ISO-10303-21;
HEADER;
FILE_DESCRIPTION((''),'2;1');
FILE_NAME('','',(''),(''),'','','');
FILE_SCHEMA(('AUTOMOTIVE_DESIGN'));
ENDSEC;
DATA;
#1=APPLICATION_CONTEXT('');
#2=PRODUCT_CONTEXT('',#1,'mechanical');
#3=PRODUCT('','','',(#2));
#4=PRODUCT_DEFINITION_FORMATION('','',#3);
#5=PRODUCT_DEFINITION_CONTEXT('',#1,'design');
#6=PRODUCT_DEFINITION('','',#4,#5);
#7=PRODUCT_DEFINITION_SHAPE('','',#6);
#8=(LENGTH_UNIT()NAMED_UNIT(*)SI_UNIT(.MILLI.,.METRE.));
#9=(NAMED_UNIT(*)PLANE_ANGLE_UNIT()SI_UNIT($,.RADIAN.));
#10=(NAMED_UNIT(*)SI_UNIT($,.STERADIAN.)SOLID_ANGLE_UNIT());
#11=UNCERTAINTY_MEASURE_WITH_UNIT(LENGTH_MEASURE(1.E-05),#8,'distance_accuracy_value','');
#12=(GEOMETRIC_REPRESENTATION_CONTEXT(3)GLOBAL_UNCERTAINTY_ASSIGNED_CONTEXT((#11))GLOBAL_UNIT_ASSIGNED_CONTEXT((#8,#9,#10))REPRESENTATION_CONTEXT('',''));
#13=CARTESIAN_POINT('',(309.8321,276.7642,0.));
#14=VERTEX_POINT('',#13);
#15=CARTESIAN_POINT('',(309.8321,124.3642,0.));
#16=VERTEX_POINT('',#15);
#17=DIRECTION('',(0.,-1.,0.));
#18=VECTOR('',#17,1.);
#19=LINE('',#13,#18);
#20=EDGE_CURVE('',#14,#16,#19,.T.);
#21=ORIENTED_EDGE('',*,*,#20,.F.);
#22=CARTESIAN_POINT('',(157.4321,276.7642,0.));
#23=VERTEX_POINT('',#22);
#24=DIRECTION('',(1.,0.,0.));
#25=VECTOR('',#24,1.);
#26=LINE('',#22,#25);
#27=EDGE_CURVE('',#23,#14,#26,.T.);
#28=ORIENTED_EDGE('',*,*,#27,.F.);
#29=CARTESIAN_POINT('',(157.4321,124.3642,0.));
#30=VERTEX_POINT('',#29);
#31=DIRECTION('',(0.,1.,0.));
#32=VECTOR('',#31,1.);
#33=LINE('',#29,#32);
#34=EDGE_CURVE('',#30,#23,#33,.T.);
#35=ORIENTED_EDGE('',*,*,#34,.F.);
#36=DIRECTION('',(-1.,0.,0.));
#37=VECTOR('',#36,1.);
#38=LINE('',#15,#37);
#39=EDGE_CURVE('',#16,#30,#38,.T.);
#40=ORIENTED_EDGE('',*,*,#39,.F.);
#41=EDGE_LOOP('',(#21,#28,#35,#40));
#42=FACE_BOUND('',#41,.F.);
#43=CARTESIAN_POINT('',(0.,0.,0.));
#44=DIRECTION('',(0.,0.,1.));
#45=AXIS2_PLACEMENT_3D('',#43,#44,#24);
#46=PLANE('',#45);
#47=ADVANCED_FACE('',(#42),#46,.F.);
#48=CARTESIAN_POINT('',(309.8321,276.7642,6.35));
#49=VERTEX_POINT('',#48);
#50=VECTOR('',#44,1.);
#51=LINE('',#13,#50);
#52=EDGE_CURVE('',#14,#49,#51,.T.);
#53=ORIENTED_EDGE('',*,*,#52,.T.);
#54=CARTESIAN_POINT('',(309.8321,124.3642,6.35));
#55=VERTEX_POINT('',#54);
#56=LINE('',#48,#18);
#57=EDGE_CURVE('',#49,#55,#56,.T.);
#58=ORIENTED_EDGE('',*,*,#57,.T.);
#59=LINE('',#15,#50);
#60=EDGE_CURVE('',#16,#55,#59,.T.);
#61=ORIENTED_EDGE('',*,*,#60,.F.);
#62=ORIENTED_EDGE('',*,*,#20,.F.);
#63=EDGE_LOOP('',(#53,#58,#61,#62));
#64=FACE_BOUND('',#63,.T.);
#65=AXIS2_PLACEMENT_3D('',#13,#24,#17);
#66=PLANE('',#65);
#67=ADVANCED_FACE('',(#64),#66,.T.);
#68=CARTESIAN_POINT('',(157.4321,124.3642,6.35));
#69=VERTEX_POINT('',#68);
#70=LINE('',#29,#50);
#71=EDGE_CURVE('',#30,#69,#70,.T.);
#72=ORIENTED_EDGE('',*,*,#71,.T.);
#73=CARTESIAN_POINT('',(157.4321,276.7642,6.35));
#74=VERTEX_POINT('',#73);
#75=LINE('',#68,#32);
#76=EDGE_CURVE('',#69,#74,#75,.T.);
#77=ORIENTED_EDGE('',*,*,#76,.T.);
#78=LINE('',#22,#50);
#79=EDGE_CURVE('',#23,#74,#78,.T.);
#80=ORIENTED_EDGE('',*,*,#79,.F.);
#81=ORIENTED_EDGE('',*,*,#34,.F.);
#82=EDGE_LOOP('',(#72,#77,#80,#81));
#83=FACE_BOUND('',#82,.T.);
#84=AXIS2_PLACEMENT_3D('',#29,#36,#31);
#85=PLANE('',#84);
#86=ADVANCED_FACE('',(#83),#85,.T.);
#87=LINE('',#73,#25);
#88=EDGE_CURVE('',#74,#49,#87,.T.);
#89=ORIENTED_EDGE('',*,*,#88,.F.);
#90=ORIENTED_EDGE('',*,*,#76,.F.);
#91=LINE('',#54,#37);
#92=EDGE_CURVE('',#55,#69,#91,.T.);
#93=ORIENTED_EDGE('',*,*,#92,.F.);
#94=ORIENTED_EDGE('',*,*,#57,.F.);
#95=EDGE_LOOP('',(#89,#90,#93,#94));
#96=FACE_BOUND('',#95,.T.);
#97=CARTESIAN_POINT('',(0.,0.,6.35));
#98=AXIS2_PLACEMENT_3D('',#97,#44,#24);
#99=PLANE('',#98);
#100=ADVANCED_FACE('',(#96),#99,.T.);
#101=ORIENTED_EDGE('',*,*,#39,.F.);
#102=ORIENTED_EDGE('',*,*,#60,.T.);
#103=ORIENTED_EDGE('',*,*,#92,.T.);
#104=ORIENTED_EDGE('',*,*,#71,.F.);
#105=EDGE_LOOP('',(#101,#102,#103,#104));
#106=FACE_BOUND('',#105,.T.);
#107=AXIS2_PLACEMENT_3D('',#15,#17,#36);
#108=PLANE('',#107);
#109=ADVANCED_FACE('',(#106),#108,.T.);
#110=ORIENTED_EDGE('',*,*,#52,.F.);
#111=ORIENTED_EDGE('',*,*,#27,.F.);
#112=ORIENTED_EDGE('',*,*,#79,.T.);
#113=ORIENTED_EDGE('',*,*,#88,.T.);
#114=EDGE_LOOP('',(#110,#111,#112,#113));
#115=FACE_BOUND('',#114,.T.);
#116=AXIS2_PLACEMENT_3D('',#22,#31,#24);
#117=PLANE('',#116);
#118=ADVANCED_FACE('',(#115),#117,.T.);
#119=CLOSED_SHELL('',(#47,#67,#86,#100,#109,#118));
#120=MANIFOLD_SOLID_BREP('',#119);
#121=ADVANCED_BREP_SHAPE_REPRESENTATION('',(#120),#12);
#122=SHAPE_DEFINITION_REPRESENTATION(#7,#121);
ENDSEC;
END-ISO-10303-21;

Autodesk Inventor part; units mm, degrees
ref_plane "YZ Plane" through (0, 0, 0) normal (1, 0, 0) x (0, 1, 0)
ref_plane "XZ Plane" through (0, 0, 0) normal (0, 1, 0) x (-1, 0, 0)
ref_plane "XY Plane" through (0, 0, 0) normal (0, 0, 1) x (1, 0, 0)
sketch "Sketch1" plane through (0, 0, 0) normal (0, 0, 1) x (1, 0, 0)
  line L0 (157.4321, 276.7642) -> (309.8321, 276.7642)
  line L1 (309.8321, 276.7642) -> (309.8321, 124.3642)
  line L2 (309.8321, 124.3642) -> (157.4321, 124.3642)
  line L3 (157.4321, 124.3642) -> (157.4321, 276.7642)
  point P0 (0, 0)
  dimension "d0" = 152.4
  dimension "d1" = 152.4
extrude "Extrusion1" add sketch "Sketch1" along normal blind 6.35
properties part number "bread"
